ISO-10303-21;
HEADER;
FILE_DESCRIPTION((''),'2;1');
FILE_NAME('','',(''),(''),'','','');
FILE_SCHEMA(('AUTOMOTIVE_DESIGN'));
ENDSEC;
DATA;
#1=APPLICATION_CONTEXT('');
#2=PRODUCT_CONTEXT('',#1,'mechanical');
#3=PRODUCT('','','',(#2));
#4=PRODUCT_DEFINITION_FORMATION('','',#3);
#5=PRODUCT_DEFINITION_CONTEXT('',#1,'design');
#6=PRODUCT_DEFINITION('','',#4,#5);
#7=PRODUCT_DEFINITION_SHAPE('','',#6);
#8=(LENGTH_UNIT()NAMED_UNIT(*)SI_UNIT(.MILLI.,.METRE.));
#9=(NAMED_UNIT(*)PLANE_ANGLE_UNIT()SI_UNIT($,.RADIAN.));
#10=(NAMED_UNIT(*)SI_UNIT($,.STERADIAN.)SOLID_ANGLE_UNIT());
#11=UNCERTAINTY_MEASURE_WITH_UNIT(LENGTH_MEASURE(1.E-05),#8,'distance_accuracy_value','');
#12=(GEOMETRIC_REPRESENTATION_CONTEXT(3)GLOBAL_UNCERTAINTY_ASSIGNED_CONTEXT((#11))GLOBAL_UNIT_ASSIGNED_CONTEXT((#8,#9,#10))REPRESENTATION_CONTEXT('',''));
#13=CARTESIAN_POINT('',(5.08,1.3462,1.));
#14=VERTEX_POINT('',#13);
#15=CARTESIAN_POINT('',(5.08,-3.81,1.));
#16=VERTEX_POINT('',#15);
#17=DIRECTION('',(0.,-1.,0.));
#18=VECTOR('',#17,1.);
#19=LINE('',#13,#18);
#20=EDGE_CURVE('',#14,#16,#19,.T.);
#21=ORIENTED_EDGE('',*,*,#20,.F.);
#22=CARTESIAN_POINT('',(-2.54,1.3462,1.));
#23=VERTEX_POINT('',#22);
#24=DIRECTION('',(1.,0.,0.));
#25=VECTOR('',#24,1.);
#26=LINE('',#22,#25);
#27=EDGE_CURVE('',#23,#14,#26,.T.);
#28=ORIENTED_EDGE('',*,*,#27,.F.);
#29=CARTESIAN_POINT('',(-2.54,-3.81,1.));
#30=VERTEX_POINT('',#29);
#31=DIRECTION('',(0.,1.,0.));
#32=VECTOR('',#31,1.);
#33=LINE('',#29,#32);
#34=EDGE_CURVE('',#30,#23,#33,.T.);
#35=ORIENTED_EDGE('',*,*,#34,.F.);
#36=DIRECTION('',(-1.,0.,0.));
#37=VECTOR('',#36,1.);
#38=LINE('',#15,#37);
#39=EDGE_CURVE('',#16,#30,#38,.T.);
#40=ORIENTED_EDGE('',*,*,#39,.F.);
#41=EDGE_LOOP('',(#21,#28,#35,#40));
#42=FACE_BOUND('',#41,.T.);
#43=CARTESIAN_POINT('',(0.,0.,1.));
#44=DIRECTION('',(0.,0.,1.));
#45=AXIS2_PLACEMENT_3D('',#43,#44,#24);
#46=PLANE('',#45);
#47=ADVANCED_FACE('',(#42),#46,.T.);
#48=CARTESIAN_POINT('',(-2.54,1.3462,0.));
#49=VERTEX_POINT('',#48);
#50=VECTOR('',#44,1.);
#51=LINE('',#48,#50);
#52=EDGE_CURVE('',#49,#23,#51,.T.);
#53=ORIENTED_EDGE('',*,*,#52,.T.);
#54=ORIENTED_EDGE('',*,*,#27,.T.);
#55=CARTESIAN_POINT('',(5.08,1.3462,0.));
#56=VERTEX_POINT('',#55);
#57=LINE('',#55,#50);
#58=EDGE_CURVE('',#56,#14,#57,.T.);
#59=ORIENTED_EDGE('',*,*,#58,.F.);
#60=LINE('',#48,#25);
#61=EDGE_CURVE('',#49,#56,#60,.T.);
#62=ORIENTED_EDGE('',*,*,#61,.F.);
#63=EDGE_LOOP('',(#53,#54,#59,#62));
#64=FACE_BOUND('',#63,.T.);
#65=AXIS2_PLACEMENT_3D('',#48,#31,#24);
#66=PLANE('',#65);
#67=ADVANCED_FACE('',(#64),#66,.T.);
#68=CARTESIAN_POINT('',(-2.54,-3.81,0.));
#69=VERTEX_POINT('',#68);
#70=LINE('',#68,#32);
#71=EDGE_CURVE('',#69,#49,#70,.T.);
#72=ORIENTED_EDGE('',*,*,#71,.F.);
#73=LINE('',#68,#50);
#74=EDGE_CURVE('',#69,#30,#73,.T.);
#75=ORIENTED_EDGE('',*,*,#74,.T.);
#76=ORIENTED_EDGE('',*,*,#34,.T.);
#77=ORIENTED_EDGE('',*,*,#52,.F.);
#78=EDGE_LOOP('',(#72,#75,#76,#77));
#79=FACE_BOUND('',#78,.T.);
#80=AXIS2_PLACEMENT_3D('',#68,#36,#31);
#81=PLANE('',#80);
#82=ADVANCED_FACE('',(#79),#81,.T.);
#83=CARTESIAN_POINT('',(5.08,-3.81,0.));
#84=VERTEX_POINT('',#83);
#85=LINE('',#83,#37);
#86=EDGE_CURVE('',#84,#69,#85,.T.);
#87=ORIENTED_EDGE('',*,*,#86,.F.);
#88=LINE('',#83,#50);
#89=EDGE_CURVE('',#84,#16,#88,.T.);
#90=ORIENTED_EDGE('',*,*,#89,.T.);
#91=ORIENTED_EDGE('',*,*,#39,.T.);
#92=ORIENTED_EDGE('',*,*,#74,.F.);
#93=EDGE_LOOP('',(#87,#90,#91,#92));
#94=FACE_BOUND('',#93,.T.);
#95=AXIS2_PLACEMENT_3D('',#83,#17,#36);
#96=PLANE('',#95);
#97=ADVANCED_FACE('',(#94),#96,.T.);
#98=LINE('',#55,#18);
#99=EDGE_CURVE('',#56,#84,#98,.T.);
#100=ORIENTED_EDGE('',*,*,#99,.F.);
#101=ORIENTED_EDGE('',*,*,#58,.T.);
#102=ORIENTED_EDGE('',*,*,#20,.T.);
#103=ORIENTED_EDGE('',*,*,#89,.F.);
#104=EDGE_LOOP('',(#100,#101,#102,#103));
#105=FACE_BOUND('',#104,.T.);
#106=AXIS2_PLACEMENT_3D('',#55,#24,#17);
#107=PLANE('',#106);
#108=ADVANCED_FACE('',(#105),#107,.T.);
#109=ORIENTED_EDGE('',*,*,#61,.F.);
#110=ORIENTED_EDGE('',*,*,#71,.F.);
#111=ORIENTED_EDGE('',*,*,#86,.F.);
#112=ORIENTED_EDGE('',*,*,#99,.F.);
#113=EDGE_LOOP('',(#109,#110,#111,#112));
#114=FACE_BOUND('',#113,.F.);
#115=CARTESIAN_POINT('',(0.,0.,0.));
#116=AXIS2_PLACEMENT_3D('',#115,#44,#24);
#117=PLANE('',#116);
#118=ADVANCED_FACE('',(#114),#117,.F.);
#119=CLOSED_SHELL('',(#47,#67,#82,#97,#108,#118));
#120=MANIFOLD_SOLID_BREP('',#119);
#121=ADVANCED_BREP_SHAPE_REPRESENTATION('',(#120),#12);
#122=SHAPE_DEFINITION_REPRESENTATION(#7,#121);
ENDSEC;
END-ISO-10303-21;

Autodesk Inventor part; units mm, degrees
ref_plane "YZ Plane" through (0, 0, 0) normal (1, 0, 0) x (0, 1, 0)
ref_plane "XZ Plane" through (0, 0, 0) normal (0, 1, 0) x (-1, 0, 0)
ref_plane "XY Plane" through (0, 0, 0) normal (0, 0, 1) x (1, 0, 0)
sketch "2X03SMD, JP4_2X03SMD_33" plane through (0, 0, 0) normal (0, 0, 1) x (1, 0, 0)
  line L0 (-2.54, 1.3462) -> (5.08, 1.3462)
  line L1 (5.08, 1.3462) -> (5.08, -3.81)
  line L2 (5.08, -3.81) -> (-2.54, -3.81)
  line L3 (-2.54, -3.81) -> (-2.54, 1.3462)
extrude "Extrusion1" add sketch "2X03SMD, JP4_2X03SMD_33" along normal blind 1
properties part number "JP4_2X03SMD"
